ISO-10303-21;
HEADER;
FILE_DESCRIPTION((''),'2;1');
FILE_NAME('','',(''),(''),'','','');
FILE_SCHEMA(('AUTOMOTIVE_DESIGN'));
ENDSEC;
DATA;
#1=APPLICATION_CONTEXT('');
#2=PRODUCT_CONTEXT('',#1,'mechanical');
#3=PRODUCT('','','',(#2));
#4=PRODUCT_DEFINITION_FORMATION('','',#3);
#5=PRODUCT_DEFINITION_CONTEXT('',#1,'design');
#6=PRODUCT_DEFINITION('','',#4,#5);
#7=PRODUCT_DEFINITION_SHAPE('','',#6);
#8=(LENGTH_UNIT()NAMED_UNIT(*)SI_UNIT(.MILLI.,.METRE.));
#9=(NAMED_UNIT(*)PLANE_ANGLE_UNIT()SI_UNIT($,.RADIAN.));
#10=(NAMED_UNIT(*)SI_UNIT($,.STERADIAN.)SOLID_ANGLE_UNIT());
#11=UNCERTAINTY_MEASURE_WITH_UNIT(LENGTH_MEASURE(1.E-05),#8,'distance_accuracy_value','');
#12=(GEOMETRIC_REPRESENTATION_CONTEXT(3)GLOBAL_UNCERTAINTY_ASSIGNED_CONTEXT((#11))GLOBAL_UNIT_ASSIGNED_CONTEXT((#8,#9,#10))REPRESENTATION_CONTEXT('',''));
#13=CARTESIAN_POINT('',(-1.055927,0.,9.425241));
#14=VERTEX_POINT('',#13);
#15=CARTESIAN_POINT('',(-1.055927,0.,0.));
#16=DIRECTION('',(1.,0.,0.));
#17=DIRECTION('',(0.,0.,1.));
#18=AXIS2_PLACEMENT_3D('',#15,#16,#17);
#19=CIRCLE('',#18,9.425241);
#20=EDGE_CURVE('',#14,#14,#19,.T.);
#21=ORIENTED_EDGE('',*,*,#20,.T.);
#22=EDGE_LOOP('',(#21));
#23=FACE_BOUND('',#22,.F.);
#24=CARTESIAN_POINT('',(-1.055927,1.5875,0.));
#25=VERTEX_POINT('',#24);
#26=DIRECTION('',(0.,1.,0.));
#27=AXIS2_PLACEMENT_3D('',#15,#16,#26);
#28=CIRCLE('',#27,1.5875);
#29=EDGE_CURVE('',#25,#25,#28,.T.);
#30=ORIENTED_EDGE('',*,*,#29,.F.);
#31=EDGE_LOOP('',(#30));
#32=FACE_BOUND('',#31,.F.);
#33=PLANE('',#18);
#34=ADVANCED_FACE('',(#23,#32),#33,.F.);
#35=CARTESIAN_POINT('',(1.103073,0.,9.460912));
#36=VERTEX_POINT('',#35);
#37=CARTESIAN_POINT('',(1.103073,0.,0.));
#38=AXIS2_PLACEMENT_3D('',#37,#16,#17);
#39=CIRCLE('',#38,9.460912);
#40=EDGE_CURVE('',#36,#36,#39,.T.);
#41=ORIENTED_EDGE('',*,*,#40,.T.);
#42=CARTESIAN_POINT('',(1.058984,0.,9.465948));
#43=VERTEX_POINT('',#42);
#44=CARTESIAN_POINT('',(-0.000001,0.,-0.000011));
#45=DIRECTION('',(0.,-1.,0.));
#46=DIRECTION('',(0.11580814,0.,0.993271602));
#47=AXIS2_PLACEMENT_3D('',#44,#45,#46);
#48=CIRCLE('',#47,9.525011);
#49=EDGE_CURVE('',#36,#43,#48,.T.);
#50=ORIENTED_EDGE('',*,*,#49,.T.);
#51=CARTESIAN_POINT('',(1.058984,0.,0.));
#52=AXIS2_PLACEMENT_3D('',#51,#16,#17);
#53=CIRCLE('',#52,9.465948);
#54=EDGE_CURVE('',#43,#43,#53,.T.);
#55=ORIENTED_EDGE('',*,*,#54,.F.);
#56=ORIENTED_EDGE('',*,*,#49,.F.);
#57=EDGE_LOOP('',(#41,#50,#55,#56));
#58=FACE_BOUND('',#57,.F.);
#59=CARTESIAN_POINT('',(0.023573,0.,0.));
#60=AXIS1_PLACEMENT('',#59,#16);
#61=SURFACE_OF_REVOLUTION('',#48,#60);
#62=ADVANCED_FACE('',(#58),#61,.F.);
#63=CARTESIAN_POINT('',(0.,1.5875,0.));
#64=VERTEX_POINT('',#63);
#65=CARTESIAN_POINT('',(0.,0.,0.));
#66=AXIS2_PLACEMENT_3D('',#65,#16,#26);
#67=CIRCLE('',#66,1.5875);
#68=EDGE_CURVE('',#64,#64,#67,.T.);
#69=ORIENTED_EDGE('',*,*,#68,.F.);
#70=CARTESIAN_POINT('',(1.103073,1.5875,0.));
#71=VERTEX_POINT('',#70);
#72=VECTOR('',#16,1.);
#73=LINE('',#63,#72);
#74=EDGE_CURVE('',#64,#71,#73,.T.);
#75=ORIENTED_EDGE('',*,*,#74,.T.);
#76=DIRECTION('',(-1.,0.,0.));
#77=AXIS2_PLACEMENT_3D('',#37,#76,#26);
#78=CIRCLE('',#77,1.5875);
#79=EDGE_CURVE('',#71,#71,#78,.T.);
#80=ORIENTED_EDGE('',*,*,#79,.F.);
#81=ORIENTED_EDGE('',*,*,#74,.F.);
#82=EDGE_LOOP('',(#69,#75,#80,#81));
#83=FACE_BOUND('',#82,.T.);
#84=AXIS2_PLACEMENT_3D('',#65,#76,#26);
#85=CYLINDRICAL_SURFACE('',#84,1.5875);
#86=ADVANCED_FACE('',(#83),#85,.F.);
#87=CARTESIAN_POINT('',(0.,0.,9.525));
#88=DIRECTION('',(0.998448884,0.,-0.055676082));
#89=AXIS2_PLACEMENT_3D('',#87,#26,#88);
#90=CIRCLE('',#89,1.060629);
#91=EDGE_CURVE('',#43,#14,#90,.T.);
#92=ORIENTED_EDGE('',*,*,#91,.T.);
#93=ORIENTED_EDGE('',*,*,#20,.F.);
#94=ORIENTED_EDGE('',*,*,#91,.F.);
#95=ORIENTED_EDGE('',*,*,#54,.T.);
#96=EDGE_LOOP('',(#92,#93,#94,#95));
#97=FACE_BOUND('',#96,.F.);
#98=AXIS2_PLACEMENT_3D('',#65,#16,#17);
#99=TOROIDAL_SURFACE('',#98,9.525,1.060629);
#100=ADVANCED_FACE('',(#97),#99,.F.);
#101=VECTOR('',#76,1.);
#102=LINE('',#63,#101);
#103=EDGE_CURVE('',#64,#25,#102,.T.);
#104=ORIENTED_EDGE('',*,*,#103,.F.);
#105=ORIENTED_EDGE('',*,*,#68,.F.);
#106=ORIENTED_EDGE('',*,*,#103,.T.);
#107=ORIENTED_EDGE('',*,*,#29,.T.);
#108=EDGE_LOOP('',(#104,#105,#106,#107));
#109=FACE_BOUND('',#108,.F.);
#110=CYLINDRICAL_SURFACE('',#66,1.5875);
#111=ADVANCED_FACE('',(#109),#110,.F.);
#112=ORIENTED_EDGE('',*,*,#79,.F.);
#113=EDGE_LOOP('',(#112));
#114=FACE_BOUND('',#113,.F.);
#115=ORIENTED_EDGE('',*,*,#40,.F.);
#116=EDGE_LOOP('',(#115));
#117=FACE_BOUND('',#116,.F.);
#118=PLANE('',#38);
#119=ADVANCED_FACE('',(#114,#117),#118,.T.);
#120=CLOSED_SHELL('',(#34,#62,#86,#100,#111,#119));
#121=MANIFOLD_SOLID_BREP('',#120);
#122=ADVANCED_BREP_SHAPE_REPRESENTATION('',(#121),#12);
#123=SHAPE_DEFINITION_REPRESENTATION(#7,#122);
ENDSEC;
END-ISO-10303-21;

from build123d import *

# Parameters (mm, degrees)
F2_R          = 1.5875
F3_DEPTH      = 25.4
F3_DEPTH_BACK = 25.4


with BuildPart() as f1:
    # F0 (on Front) → F1 (revolve)
    with BuildSketch(Plane.XZ):
        with BuildLine():
            Line((1.1030725436, 0), (1.1030725436, 9.4609120048))
            ThreePointArc((1.1030725436, 9.4609120048), (1.0810313043, 9.4634558338), (1.0589841992, 9.4659483131))
            ThreePointArc((1.0589841992, 9.4659483131), (0.0204109211, 8.4645670553), (-1.0559274564, 9.4252410764))
            Line((-1.0559274564, 9.4252410764), (-1.0559274564, 0))
            Line((-1.0559274564, 0), (1.1030725436, 0))
        make_face()
    revolve(axis=Axis((0.0235725436, 0, 0), (1, 0, 0)))

    # F2 (on Right) → F3 (cut, two sides)
    with BuildSketch(Plane.YZ) as f3_sk:
        Circle(F2_R)
    extrude(amount=-F3_DEPTH, mode=Mode.SUBTRACT)
    extrude(f3_sk.sketch, amount=F3_DEPTH_BACK, mode=Mode.SUBTRACT)


solid = f1.part
